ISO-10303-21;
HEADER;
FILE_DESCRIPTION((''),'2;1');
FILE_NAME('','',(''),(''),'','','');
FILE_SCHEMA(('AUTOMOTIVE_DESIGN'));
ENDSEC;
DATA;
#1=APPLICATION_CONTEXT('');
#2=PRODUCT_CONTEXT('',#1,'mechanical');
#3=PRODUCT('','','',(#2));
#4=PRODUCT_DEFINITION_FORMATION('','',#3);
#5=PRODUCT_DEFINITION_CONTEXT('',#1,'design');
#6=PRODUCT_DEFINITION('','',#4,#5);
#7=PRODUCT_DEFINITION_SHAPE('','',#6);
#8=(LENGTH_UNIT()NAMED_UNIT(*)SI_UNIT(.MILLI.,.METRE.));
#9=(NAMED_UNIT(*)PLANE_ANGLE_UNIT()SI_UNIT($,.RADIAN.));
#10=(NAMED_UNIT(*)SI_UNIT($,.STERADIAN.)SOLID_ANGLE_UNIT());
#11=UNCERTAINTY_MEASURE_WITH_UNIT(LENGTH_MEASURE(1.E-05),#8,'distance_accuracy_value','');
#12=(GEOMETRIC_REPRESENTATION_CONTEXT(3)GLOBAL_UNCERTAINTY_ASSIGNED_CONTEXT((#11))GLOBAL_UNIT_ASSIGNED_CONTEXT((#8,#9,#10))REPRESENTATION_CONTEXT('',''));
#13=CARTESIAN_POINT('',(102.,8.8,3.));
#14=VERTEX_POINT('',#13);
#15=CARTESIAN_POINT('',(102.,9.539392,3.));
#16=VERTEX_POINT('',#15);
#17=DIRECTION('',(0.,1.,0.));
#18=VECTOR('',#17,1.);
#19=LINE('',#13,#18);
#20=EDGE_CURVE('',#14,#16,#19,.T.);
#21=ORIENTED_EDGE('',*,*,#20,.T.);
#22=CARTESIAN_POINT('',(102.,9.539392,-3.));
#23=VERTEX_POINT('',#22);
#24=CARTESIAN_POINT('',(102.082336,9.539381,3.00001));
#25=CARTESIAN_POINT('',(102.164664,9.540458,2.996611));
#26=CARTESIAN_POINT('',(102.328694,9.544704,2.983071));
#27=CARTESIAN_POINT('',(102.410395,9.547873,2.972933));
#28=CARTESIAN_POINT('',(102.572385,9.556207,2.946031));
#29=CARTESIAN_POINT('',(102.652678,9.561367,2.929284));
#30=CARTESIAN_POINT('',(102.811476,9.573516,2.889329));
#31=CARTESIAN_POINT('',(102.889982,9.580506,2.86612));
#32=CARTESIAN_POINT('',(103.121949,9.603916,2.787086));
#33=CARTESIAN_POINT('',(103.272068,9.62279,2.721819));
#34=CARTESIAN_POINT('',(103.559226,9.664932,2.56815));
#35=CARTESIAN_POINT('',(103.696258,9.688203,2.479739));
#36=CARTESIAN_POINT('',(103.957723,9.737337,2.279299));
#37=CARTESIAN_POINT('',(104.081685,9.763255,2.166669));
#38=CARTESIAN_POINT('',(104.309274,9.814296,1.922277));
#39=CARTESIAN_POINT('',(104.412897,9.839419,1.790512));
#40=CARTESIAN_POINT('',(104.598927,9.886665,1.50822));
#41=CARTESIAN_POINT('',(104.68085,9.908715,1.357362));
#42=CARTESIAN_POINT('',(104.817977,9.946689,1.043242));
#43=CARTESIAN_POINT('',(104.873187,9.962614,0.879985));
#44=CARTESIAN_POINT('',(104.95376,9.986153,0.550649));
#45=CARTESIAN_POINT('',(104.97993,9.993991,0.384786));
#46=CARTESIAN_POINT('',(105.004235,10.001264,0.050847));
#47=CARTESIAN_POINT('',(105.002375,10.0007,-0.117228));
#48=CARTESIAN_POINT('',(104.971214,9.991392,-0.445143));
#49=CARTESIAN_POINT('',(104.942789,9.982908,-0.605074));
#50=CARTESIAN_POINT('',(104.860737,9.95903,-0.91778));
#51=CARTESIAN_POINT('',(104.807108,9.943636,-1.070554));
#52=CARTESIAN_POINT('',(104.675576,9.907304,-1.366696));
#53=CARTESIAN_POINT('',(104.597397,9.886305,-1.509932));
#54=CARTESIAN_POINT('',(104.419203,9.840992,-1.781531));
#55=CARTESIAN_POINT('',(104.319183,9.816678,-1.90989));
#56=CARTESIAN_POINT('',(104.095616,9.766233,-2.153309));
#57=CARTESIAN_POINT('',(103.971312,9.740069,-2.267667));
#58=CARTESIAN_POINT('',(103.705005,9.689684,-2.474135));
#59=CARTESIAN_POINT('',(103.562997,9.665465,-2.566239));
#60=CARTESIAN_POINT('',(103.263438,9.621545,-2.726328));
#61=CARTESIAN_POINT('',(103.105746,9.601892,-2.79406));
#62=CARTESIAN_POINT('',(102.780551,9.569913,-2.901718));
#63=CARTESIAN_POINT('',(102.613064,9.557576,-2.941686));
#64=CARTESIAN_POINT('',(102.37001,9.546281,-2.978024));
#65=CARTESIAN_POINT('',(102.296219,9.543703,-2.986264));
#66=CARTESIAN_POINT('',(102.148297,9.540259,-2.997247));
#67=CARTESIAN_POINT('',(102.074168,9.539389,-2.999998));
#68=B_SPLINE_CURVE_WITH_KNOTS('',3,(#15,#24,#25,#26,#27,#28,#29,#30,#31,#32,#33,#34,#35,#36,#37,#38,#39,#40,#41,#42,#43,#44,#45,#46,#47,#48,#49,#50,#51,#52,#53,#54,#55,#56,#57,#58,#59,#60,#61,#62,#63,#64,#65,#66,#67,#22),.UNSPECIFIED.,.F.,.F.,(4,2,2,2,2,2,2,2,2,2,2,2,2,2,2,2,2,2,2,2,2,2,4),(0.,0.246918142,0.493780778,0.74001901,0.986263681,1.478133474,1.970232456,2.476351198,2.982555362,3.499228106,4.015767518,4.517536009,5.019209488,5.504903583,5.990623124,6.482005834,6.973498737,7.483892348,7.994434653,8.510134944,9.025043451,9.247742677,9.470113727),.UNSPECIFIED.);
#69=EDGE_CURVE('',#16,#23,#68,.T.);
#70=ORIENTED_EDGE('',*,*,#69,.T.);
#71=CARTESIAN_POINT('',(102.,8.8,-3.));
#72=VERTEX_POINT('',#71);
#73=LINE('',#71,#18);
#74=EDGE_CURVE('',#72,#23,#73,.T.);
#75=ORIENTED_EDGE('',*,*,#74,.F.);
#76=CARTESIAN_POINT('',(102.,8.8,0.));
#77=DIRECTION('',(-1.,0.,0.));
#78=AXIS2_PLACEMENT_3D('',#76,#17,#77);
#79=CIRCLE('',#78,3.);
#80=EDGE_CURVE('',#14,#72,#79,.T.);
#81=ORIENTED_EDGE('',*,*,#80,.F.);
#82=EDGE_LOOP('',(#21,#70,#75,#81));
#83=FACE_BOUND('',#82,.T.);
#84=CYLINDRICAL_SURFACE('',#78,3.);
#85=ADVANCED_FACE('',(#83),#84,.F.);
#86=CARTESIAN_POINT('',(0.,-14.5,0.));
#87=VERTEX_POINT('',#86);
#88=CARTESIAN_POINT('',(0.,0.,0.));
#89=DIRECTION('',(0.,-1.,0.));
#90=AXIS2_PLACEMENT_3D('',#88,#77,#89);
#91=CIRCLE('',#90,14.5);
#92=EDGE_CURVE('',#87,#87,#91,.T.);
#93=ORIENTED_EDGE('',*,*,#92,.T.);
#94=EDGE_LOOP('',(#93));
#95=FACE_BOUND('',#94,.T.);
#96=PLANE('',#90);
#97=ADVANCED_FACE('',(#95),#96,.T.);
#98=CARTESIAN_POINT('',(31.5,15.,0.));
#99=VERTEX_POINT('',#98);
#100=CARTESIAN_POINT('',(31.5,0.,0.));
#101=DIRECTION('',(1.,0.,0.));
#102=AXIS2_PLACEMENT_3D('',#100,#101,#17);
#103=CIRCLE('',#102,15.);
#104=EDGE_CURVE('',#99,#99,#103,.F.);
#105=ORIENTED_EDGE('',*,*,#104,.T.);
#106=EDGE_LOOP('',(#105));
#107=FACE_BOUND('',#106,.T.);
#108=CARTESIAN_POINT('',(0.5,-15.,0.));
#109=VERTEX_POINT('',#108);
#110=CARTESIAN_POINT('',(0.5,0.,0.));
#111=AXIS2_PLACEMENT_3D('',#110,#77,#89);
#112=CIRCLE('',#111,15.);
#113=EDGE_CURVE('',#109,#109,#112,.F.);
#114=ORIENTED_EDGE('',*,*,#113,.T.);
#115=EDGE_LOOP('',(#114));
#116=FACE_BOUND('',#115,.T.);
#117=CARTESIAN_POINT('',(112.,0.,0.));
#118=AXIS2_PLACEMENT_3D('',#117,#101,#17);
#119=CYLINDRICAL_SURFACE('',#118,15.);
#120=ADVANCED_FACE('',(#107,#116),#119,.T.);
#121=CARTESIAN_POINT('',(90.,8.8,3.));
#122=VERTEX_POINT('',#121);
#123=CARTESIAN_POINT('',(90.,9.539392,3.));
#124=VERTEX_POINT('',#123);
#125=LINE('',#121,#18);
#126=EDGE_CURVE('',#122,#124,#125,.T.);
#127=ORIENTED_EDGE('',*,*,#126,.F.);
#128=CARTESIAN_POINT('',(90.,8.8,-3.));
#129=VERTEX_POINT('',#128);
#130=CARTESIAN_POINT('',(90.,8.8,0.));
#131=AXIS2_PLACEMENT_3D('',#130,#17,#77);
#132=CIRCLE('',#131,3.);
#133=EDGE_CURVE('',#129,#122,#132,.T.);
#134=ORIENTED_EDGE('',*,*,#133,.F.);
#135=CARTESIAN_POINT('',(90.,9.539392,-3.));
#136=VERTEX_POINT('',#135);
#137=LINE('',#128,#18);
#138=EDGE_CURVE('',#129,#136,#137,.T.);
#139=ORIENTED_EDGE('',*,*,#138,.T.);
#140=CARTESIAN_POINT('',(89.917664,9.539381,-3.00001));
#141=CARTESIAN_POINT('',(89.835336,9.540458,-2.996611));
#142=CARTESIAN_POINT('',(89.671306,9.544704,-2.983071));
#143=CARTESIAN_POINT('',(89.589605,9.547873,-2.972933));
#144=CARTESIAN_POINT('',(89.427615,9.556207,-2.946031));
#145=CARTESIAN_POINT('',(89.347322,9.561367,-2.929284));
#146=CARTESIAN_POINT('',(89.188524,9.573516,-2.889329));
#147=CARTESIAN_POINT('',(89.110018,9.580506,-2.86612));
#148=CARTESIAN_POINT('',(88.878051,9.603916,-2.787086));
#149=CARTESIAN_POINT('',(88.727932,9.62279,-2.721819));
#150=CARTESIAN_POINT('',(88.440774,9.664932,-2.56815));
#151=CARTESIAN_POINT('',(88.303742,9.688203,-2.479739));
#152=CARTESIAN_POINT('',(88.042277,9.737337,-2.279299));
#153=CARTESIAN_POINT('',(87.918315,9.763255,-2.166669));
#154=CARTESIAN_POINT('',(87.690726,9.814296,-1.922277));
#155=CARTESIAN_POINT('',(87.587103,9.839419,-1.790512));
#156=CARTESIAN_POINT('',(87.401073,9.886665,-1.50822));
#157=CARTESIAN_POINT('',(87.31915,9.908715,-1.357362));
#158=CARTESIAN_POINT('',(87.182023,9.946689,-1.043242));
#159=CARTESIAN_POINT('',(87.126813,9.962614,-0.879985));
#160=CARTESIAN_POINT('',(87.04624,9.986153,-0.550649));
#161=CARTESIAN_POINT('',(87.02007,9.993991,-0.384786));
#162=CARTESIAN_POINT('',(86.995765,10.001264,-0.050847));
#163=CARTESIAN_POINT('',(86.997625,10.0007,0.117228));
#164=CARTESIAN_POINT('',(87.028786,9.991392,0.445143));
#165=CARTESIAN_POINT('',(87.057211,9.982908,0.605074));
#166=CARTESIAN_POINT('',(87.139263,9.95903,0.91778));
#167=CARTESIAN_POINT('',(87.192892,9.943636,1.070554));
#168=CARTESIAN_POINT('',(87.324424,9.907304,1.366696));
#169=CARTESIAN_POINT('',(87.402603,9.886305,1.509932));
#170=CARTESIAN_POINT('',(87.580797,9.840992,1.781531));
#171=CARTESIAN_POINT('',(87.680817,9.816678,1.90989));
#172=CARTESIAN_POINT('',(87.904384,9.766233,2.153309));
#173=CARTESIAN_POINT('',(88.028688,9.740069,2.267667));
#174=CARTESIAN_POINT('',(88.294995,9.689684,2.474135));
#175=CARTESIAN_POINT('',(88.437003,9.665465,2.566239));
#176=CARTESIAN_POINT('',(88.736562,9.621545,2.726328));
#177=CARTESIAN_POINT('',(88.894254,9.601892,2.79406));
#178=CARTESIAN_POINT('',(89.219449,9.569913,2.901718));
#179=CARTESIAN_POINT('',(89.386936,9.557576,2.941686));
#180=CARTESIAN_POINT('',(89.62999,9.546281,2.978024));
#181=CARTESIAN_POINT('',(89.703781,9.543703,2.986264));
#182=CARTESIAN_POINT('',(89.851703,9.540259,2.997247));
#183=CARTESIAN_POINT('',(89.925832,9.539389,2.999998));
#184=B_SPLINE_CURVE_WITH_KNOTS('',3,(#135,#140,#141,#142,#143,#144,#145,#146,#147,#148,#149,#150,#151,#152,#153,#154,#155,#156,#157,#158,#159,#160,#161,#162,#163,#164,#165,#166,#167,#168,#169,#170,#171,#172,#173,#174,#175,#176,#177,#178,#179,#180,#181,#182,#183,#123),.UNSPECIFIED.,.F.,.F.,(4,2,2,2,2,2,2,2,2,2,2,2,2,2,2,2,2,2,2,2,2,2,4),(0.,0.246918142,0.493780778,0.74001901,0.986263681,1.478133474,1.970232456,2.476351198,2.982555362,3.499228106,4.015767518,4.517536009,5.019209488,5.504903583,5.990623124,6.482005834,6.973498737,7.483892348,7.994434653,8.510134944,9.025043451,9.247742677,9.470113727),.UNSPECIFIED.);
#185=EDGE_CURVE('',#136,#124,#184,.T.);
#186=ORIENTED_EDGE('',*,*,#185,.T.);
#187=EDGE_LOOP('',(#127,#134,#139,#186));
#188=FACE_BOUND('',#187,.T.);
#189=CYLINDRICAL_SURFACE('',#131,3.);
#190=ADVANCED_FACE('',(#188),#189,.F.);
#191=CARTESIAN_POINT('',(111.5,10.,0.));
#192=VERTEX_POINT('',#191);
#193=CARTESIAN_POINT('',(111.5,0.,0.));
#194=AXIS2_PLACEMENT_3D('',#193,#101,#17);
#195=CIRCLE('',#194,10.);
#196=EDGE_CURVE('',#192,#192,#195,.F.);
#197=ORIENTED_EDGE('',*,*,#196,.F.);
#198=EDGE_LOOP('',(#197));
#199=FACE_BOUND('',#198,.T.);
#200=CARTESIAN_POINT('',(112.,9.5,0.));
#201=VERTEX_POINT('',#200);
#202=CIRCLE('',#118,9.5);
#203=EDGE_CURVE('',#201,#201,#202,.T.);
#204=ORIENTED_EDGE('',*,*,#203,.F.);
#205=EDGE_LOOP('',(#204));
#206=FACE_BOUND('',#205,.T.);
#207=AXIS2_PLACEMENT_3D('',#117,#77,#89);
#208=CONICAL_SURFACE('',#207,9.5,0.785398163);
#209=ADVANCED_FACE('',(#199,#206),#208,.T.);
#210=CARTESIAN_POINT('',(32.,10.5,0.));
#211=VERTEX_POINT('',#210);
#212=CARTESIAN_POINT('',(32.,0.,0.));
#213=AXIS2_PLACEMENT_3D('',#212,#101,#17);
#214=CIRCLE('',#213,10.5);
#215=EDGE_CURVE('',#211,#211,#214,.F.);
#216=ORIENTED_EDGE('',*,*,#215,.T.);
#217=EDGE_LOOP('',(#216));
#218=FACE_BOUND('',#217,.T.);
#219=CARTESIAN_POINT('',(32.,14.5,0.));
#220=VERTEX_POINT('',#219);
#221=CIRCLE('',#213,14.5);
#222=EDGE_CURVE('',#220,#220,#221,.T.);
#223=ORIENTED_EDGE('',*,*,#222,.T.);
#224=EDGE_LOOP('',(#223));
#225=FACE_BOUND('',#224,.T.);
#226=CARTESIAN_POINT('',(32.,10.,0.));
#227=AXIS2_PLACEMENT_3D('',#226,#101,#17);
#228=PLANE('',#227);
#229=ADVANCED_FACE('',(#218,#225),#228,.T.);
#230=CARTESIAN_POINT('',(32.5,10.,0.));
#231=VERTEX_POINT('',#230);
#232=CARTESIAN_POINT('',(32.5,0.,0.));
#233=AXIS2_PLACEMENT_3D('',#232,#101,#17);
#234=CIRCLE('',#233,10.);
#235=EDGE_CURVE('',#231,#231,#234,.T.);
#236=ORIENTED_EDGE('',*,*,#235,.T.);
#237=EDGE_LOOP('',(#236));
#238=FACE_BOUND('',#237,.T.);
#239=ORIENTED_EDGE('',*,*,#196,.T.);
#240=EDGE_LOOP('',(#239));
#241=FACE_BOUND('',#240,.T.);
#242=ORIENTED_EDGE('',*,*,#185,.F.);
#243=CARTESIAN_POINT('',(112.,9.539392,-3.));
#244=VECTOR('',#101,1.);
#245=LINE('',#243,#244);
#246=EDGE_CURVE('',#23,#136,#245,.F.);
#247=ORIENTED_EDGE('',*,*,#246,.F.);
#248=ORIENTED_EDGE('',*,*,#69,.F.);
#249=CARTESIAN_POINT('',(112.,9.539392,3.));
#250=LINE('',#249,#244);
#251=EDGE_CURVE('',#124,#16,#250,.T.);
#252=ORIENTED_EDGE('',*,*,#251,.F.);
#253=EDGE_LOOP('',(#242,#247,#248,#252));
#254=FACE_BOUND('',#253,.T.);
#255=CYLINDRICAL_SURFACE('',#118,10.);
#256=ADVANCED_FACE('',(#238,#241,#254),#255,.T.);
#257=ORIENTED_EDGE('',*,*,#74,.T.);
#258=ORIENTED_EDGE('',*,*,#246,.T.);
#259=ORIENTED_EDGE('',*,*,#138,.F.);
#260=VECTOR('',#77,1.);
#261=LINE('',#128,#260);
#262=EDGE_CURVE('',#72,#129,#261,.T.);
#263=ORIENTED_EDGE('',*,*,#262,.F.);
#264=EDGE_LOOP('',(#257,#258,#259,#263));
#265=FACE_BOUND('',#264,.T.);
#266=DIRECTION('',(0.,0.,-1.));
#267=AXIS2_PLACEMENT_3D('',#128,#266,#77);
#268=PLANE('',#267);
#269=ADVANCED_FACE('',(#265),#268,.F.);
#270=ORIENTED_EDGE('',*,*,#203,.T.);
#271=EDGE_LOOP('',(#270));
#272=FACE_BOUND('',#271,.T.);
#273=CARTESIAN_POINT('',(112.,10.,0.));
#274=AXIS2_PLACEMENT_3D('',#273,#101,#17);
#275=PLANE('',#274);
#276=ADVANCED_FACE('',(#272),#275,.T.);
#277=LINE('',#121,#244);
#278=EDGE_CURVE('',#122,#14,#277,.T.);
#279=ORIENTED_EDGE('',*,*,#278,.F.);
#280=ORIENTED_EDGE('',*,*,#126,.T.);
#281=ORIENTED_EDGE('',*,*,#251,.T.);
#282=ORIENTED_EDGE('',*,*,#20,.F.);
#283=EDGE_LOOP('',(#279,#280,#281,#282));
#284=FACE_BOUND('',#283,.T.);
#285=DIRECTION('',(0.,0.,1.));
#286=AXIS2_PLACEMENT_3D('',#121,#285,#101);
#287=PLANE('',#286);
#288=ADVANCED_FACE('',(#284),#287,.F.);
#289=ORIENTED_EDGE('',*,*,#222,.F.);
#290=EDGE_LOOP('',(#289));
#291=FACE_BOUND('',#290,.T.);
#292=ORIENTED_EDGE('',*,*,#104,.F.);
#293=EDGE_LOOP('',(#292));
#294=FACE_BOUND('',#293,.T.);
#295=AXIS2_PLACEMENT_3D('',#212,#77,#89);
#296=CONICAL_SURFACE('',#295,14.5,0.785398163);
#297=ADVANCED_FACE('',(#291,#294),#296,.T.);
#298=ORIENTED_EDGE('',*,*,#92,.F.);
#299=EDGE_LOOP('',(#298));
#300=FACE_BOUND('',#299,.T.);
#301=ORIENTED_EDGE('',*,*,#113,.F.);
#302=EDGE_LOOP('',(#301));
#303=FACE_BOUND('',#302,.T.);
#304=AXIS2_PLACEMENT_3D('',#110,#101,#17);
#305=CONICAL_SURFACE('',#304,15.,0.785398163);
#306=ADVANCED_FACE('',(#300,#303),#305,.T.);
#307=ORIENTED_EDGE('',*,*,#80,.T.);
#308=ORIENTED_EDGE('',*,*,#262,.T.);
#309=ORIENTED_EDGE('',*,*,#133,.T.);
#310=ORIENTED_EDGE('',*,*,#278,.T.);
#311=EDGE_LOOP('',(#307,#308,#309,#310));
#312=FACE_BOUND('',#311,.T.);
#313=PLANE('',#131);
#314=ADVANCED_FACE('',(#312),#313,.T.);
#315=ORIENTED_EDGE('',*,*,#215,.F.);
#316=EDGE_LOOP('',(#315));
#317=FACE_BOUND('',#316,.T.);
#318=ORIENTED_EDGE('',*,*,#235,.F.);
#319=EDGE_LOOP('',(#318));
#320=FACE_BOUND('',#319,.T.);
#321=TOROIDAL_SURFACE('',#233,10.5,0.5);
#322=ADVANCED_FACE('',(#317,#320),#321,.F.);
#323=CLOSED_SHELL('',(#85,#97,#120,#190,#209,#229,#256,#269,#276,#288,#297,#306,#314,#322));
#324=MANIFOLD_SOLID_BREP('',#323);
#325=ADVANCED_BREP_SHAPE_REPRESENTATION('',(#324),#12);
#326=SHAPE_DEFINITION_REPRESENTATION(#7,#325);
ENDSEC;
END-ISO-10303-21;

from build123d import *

# Parameters (mm, degrees)
CHAMFER_1_SIZE      = 0.5
FILLET_1_R          = 0.5
CUT_EXTRUDE_1_DEPTH = 1.2


with BuildPart() as part:
    # Эскиз1 → Повернуть1 (revolve)
    with BuildSketch(Plane.XY):
        Polygon((0, 0), (0, 15), (32, 15), (32, 10), (112, 10), (112, 0), align=None)
    revolve(axis=Axis((112, 0, 0), (-1, 0, 0)))

    # Фаска1
    chamfer_1_edges = [part.edges().sort_by_distance(p)[0] for p in [
        (112, -10, 0),
        (32, -15, 0),
        (0, -15, 0),
    ]]
    chamfer(chamfer_1_edges, length=CHAMFER_1_SIZE)

    # Скругление1
    fillet_1_edges = [part.edges().sort_by_distance(p)[0] for p in [
        (32, -10, 0),
    ]]
    fillet(fillet_1_edges, radius=FILLET_1_R)

    # Эскиз2 → Вырез-Вытянуть1 (cut)
    with BuildSketch(Plane(origin=(0, 10, 0), x_dir=(1, 0, 0), z_dir=(0, 1, 0))):
        with BuildLine():
            Line((90, 3), (102, 3))
            ThreePointArc((102, 3), (105, 0), (102, -3))
            Line((102, -3), (90, -3))
            ThreePointArc((90, -3), (87, 0), (90, 3))
        make_face()
    extrude(amount=-CUT_EXTRUDE_1_DEPTH, mode=Mode.SUBTRACT)


solid = part.part
